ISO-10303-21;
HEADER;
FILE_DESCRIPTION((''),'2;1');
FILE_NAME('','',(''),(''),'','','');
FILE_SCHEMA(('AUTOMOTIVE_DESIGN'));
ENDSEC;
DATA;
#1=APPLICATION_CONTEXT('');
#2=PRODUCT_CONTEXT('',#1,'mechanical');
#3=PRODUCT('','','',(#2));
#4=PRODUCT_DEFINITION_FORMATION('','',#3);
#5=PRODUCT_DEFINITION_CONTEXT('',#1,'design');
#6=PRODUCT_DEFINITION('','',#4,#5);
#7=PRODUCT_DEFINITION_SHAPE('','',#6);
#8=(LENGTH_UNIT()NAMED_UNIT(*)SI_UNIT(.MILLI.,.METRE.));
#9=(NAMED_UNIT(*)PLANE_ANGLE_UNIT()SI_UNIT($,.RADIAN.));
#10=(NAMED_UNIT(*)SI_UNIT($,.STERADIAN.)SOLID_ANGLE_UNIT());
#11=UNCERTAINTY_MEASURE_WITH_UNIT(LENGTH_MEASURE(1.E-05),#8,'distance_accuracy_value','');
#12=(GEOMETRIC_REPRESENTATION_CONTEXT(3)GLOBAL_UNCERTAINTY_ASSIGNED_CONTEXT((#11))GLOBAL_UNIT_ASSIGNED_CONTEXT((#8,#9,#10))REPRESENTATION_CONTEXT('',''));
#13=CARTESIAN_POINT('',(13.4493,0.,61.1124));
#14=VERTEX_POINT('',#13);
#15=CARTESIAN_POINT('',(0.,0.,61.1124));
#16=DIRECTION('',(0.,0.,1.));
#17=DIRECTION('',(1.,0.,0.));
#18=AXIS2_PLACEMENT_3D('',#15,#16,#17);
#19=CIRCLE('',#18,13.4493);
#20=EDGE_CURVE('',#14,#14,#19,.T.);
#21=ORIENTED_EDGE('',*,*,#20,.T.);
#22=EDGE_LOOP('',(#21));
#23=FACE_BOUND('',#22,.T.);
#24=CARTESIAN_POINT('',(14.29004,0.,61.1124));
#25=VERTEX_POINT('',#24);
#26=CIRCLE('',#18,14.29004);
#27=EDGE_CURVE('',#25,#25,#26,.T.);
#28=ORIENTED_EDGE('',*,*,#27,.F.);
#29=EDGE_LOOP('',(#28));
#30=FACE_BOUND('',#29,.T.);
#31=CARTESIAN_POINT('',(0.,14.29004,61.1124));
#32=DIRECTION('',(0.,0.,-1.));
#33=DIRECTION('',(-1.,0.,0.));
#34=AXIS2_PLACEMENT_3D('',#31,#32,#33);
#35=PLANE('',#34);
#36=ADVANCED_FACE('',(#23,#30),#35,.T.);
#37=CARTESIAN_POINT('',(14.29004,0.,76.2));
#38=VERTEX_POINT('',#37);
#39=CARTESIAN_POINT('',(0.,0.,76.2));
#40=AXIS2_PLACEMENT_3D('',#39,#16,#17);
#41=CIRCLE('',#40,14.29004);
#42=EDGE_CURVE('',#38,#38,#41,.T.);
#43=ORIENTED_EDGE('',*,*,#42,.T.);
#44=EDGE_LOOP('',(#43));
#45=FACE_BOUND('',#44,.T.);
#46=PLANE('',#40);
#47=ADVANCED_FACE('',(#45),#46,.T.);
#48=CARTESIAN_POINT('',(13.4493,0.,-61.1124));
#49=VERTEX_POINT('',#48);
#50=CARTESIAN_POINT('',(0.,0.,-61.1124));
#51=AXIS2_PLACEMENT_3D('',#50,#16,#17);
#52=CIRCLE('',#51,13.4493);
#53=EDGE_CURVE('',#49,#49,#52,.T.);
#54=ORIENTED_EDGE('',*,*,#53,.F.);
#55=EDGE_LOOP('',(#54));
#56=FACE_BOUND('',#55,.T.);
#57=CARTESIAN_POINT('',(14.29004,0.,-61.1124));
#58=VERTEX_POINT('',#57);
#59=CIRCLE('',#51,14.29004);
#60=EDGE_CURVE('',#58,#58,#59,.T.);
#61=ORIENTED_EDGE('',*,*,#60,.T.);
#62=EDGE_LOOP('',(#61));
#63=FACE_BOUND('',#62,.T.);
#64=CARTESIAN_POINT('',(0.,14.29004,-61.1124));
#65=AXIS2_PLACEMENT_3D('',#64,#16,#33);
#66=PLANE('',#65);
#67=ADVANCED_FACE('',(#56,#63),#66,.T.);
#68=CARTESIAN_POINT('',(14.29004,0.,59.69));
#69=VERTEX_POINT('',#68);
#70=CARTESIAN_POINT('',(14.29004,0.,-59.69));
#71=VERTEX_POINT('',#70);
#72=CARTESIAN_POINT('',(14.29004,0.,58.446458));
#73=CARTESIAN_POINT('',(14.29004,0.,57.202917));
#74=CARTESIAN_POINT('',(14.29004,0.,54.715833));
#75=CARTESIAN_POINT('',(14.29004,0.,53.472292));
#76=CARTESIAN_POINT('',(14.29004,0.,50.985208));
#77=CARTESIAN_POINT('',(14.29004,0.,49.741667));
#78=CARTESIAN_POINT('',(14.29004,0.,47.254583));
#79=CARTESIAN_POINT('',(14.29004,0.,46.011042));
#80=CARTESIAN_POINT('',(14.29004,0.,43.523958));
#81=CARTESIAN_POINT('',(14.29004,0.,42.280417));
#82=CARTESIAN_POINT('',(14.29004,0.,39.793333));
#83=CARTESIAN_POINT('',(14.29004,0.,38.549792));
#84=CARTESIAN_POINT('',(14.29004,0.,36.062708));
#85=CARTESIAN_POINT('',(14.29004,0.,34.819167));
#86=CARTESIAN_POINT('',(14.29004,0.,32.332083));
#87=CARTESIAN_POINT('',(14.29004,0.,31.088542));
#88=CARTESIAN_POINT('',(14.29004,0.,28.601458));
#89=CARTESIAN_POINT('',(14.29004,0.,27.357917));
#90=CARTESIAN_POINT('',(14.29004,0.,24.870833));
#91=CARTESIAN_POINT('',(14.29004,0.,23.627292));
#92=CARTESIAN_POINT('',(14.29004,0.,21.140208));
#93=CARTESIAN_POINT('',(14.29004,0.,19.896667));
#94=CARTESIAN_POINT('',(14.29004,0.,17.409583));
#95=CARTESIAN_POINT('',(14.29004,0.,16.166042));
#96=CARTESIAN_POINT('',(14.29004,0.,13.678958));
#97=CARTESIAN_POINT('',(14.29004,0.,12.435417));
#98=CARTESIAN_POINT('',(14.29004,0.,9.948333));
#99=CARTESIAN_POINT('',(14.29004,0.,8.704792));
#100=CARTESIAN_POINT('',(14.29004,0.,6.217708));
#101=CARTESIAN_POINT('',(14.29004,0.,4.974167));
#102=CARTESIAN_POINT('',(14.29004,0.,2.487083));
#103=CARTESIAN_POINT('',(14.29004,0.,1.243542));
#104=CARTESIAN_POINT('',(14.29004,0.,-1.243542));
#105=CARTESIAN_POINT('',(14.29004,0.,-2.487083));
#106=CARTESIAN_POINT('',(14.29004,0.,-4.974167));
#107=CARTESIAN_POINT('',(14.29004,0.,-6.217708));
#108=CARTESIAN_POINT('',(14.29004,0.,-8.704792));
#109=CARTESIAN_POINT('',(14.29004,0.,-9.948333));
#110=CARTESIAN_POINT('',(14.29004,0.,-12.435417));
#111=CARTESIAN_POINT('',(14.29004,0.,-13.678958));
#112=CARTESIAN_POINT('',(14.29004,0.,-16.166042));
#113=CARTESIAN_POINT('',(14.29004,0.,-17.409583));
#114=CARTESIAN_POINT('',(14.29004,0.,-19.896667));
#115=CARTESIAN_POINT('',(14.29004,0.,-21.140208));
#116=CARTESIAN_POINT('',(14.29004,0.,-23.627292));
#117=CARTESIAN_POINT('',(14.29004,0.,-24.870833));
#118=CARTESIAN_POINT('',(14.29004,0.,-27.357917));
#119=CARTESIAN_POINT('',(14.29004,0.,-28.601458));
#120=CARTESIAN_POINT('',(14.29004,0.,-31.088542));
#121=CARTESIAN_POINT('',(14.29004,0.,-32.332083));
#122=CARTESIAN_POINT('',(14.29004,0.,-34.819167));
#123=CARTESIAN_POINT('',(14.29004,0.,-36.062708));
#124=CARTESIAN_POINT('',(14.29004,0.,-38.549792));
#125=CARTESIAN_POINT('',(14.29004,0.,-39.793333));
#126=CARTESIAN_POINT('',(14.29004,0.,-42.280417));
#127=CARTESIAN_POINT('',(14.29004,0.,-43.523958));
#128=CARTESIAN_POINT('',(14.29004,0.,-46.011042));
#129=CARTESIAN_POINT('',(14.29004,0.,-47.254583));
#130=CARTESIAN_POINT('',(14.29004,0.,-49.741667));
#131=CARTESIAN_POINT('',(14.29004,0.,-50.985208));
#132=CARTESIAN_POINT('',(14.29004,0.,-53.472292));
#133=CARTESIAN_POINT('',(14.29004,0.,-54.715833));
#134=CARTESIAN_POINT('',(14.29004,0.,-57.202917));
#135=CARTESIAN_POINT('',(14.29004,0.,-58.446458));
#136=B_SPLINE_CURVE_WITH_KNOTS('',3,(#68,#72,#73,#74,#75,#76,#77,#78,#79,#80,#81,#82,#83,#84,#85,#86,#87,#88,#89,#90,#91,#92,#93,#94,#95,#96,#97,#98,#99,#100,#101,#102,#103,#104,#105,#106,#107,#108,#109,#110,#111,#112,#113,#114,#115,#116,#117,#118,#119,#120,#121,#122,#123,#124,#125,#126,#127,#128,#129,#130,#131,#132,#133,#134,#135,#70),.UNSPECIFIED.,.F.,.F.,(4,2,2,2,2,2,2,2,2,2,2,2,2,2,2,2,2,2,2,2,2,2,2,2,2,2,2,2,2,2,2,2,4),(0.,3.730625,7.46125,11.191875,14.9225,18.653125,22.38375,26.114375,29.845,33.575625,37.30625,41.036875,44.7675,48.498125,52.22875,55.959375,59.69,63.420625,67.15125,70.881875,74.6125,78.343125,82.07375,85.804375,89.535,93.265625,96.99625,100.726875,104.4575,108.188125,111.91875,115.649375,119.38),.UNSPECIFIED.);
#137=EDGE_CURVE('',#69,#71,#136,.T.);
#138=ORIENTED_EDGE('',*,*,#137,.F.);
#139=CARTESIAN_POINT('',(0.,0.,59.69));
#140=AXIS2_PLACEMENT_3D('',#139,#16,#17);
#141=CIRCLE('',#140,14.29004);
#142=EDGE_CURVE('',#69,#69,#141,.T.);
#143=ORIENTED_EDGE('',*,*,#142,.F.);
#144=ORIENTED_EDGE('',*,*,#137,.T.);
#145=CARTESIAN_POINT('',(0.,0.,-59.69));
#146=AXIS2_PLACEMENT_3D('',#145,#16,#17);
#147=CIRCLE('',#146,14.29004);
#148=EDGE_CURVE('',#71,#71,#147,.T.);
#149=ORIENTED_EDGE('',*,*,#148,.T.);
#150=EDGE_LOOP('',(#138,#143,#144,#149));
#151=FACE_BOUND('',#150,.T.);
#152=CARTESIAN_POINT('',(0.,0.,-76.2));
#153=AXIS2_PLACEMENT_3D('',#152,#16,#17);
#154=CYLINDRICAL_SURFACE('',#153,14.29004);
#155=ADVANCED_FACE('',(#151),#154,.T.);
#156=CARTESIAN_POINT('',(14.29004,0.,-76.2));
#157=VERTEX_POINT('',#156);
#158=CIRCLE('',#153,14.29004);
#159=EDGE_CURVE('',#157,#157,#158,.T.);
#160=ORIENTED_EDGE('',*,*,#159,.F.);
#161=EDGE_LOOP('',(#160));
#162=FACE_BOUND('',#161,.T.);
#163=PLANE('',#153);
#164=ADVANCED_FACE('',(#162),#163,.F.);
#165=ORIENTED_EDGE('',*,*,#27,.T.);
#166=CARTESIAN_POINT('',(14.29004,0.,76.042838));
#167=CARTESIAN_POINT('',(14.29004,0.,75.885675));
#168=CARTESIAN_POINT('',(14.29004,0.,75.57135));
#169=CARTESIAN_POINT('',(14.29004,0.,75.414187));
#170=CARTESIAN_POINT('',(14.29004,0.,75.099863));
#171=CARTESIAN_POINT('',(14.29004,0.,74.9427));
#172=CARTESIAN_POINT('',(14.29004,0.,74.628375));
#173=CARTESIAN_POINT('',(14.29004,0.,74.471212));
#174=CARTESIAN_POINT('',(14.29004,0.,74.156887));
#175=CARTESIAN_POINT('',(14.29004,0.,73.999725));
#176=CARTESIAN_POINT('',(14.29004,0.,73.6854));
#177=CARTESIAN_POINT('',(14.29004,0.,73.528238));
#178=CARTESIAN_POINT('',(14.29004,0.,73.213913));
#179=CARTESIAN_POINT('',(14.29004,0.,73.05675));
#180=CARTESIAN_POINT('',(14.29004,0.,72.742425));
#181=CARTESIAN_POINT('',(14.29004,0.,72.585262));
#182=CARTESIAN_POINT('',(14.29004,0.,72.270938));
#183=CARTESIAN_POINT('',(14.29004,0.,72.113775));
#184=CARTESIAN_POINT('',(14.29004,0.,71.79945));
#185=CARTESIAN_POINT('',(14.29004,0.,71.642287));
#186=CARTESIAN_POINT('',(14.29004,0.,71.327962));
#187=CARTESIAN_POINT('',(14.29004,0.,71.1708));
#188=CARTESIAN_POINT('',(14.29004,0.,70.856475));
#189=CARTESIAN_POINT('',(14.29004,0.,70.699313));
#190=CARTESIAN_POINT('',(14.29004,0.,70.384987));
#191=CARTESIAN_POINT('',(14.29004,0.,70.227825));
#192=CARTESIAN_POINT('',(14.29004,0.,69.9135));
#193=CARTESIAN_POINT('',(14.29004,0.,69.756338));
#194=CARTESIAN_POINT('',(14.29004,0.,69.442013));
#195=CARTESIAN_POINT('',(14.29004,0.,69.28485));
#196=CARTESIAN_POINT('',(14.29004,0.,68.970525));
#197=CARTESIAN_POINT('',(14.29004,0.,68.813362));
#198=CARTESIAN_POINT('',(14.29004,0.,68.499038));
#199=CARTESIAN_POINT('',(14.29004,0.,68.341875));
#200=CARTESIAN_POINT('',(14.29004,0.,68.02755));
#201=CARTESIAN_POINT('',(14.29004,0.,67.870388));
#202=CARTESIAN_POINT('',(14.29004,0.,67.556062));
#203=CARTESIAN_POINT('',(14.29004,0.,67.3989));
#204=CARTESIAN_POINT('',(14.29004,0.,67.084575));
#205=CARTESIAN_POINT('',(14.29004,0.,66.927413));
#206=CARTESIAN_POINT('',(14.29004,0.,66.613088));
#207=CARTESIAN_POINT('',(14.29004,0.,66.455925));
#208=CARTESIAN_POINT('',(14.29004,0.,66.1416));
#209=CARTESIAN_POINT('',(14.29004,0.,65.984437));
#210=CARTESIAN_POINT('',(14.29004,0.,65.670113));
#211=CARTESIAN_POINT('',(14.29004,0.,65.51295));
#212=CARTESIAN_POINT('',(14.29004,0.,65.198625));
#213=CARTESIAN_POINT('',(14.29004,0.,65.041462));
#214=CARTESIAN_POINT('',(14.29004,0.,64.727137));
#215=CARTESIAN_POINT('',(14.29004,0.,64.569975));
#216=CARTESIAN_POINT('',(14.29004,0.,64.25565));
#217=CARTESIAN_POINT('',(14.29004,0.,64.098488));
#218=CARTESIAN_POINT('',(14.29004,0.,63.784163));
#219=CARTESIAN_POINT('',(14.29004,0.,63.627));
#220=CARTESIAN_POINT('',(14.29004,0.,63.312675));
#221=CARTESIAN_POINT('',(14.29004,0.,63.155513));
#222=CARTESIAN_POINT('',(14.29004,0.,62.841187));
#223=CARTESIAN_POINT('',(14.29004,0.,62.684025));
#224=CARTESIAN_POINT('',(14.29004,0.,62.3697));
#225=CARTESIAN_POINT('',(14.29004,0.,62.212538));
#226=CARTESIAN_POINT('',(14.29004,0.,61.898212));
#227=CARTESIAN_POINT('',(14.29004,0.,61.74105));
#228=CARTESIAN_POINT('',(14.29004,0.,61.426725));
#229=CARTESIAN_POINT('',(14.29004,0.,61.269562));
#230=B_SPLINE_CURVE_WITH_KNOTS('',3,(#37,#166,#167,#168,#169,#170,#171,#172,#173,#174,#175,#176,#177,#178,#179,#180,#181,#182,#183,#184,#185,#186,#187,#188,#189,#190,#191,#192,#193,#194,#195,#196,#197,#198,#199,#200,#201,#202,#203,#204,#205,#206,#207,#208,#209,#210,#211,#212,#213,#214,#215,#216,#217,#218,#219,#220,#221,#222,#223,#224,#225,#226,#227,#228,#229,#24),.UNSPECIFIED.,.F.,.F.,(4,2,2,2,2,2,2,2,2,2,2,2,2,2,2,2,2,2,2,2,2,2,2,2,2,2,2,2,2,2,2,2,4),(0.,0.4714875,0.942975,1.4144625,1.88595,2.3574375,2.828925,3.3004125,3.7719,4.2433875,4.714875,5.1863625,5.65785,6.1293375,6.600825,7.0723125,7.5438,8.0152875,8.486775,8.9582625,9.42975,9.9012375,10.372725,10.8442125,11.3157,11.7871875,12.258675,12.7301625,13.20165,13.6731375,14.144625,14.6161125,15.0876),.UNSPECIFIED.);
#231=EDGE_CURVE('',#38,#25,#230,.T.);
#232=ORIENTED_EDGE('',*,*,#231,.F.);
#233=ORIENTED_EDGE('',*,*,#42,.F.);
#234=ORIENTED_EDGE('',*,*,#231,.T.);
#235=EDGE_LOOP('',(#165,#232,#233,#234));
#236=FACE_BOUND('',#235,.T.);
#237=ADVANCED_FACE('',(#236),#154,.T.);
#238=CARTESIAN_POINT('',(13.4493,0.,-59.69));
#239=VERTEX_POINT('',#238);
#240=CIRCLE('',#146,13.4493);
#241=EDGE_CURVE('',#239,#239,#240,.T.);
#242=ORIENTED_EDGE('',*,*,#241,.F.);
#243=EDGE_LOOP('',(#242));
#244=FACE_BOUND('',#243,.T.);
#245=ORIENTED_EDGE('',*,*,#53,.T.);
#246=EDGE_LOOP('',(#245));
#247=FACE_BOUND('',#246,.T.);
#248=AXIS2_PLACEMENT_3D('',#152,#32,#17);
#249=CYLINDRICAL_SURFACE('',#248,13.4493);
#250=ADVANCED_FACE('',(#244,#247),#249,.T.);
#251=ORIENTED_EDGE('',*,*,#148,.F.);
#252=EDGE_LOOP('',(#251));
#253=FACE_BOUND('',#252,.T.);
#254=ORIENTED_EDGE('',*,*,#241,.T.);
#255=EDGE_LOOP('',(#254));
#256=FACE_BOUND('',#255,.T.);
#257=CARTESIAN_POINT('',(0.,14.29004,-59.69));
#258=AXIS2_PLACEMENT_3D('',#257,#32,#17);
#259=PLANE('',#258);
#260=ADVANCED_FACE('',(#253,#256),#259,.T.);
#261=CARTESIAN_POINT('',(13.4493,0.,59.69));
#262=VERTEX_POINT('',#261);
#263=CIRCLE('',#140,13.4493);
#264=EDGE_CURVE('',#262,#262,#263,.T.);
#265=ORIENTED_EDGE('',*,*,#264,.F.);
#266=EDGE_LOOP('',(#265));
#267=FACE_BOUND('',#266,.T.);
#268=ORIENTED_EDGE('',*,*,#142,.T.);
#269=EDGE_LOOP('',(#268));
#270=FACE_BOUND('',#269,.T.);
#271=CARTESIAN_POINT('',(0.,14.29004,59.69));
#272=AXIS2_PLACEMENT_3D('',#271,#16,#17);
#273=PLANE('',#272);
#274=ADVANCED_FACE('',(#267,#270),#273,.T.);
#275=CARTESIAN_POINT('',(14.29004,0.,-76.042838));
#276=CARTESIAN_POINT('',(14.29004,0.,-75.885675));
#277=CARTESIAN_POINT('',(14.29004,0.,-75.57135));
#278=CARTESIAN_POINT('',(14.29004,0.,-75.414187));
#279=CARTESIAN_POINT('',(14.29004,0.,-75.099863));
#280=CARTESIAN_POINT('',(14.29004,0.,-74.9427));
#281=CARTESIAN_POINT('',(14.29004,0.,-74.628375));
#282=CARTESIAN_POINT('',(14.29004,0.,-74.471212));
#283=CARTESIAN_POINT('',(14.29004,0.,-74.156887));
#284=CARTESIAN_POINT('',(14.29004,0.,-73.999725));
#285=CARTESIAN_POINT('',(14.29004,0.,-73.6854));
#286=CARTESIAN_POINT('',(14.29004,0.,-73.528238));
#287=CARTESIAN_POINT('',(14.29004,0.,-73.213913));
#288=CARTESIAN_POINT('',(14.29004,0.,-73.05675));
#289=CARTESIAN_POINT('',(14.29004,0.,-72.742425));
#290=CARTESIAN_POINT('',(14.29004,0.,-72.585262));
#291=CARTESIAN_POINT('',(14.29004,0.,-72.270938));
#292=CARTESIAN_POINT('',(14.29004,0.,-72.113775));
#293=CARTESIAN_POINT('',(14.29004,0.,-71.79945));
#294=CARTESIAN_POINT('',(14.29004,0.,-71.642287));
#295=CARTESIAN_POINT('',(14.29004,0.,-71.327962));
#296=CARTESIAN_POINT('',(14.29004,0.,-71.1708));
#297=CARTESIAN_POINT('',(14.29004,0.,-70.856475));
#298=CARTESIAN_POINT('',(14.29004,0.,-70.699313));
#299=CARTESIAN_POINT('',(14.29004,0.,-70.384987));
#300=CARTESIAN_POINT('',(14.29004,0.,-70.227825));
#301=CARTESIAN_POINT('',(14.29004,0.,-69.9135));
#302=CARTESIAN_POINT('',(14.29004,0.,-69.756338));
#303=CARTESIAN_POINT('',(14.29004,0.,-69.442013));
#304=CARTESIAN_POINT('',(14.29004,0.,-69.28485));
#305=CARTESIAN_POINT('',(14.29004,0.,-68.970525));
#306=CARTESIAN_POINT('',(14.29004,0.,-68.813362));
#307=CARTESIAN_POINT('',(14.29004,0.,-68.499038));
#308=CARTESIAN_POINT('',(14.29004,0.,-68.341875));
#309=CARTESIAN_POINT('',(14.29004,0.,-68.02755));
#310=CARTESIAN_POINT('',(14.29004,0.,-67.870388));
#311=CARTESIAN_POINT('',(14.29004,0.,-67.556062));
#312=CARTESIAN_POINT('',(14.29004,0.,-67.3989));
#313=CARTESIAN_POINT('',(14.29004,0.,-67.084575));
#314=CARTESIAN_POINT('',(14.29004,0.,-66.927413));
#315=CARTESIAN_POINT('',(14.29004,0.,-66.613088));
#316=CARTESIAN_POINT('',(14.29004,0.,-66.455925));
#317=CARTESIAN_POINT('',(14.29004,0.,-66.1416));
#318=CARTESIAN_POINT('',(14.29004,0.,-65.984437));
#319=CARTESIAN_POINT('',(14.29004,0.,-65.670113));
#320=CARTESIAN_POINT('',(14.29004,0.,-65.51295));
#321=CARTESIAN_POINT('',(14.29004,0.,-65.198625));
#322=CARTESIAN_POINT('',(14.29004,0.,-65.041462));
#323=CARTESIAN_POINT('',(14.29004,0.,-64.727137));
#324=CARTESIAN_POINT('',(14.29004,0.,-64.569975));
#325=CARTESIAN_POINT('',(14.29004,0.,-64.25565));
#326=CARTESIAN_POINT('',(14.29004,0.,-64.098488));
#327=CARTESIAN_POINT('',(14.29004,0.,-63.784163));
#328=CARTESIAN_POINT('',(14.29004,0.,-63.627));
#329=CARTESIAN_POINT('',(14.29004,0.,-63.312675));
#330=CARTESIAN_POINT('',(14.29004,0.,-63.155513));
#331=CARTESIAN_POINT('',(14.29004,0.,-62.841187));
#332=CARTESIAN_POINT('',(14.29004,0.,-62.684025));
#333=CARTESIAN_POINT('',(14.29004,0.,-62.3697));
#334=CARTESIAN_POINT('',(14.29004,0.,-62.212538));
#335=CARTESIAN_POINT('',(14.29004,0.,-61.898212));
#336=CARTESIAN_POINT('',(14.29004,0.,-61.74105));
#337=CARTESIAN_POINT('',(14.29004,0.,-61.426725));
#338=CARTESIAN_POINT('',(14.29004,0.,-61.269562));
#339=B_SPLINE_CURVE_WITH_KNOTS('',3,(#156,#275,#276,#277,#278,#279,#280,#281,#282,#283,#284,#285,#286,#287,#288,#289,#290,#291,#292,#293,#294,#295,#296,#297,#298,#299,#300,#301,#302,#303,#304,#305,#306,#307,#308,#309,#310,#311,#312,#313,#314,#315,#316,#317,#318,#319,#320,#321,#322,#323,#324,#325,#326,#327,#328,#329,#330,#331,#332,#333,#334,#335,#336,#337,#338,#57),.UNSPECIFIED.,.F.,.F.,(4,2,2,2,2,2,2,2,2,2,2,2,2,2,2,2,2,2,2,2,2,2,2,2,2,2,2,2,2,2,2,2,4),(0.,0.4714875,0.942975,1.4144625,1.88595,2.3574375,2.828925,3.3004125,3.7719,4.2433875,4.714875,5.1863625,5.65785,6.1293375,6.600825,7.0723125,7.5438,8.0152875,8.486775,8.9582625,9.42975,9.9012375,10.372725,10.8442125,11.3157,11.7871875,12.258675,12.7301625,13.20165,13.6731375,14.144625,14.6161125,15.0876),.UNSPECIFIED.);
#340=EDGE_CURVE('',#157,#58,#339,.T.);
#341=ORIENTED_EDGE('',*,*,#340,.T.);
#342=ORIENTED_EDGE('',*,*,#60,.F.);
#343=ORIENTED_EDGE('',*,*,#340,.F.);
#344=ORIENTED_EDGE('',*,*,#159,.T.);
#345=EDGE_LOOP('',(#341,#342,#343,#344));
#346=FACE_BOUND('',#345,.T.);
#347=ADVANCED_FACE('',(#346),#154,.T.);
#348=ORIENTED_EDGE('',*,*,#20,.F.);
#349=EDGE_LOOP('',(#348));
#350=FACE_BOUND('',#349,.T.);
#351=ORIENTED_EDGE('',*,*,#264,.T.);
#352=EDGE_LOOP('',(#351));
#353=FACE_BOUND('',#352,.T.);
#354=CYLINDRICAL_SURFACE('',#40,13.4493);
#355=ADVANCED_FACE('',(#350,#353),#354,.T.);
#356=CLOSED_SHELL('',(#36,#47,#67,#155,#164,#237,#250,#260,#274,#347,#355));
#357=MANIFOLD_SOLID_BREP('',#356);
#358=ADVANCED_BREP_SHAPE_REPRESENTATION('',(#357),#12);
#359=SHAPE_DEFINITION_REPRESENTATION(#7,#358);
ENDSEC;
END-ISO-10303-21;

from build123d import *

# Parameters (mm, degrees)
SKETCH1_R           = 14.29004
BOSS_EXTRUDE1_DEPTH = 76.2
SKETCH2_W           = 1.4224
SKETCH2_H           = 0.84074


with BuildPart() as part:
    # Sketch1 → Boss-Extrude1 (new, symmetric)
    with BuildSketch(Plane.XY):
        Circle(SKETCH1_R)
    extrude(amount=BOSS_EXTRUDE1_DEPTH, both=True)

    # Sketch2 → Cut-Revolve1 (revolve, cut)
    with BuildSketch(Plane(origin=(0, 0, 0), x_dir=(0, 0, -1), z_dir=(1, 0, 0)), mode=Mode.PRIVATE) as cut_revolve1_sk:
        with Locations((-60.4012, 13.86967)):
            Rectangle(SKETCH2_W, SKETCH2_H)
    cut_revolve1 = revolve(cut_revolve1_sk.sketch.rotate(Axis((0, 0, 76.2), (0, 0, -1)), 90), axis=Axis((0, 0, 76.2), (0, 0, -1)), mode=Mode.SUBTRACT)

    # Mirror1: Cut-Revolve1 across plane
    add(cut_revolve1.mirror(Plane.XY), mode=Mode.SUBTRACT)


solid = part.part
